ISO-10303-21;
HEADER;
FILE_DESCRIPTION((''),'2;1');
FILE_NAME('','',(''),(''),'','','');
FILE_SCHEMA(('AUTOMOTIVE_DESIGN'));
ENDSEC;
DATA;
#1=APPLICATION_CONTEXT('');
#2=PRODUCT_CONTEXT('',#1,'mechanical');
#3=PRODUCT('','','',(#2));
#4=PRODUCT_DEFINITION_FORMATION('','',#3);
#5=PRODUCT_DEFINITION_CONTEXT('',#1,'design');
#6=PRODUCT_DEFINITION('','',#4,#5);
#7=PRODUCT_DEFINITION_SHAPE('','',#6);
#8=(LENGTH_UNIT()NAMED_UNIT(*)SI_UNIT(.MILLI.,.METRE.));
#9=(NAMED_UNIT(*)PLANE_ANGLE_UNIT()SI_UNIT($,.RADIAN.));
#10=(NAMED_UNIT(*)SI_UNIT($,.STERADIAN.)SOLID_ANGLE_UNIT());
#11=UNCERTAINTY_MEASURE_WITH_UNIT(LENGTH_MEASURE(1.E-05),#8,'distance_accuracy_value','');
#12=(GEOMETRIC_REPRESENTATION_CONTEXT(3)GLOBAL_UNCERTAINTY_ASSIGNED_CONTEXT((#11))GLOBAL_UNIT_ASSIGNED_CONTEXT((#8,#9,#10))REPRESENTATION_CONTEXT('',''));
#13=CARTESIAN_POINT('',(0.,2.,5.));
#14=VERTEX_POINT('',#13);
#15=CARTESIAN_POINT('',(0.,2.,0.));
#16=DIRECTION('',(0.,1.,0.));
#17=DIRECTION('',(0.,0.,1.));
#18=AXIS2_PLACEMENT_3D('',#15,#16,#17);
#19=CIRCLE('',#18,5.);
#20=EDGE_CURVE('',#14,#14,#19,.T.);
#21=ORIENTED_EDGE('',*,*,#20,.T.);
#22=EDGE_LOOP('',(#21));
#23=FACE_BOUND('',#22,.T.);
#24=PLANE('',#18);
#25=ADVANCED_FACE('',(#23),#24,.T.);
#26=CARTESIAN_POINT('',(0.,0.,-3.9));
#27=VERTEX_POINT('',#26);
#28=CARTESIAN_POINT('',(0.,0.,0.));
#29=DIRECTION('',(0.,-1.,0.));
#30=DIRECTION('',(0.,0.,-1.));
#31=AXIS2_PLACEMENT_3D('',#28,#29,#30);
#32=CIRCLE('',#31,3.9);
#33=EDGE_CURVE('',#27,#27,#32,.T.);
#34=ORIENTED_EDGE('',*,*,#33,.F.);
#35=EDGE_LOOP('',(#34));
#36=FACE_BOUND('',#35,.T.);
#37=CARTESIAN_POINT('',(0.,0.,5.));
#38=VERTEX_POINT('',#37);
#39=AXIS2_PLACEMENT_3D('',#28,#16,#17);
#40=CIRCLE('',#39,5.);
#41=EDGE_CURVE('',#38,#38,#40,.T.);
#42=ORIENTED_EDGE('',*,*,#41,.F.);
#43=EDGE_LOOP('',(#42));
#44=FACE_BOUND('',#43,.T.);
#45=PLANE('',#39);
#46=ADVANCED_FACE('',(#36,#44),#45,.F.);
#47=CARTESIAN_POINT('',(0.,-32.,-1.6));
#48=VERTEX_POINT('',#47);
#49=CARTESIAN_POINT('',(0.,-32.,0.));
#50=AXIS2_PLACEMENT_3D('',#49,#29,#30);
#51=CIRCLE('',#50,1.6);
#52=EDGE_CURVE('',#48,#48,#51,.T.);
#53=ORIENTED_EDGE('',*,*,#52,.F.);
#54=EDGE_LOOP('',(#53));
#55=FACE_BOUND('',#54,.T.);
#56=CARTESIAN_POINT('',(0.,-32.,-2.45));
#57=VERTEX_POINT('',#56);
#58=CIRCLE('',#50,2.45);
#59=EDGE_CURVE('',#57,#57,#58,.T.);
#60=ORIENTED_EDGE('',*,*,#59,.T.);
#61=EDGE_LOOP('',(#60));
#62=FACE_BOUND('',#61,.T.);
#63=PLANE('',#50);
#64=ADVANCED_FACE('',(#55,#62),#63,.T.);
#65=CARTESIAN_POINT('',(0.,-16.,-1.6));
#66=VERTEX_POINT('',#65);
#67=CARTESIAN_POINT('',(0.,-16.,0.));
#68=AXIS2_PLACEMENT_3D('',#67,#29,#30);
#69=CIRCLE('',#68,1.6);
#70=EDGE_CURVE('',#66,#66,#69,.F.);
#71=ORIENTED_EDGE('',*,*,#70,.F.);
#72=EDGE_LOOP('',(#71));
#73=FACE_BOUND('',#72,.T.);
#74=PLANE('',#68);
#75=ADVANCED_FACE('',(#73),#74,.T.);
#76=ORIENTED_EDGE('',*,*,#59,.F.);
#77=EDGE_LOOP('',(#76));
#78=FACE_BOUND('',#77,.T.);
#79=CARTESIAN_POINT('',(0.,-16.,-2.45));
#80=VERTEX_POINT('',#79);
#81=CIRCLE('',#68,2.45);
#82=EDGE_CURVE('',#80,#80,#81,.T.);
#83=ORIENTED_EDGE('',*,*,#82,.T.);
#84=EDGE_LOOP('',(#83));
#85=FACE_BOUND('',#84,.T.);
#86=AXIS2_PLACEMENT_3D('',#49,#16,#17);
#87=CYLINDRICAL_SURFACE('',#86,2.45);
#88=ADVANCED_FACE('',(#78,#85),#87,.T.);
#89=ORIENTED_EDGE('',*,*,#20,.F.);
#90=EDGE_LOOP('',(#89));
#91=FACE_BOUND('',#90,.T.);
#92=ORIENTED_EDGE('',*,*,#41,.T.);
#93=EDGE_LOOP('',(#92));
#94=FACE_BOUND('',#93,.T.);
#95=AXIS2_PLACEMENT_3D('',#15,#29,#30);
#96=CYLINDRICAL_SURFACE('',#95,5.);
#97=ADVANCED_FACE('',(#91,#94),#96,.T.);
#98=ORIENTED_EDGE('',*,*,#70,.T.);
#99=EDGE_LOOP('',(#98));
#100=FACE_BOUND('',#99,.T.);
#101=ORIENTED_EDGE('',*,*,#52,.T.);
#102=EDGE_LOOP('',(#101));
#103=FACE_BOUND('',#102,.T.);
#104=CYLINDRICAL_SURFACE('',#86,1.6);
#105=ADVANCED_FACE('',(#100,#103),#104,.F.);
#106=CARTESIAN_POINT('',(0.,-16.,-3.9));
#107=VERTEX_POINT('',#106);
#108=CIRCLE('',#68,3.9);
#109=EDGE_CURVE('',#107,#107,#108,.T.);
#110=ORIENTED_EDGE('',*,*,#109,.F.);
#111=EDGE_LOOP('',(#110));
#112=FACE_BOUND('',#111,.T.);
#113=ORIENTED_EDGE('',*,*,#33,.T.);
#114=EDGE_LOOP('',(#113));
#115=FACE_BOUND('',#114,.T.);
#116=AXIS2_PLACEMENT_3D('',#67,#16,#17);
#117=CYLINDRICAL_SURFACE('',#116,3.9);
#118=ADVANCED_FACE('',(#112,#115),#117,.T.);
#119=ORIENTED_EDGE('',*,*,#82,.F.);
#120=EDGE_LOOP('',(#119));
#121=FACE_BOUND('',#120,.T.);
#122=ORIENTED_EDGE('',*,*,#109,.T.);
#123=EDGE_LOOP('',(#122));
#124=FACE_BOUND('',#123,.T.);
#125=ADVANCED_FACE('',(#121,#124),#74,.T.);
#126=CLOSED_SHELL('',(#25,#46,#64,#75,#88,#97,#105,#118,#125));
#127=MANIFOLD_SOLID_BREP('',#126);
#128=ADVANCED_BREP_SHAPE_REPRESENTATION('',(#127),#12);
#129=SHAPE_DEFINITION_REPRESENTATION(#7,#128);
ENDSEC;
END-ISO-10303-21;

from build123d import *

# Parameters (mm, degrees)
SKETCH1_R           = 5
BOSS_EXTRUDE1_DEPTH = 2
SKETCH4_R           = 3.9
BOSS_EXTRUDE2_DEPTH = 16
SKETCH6_R           = 2.45
SKETCH6_R_2         = 1.6
BOSS_EXTRUDE3_DEPTH = 16


with BuildPart() as part:
    # Sketch1 → Boss-Extrude1 (new body)
    with BuildSketch(Plane(origin=(0, 0, 0), x_dir=(1, 0, 0), z_dir=(0, 1, 0))):
        Circle(SKETCH1_R)
    extrude(amount=BOSS_EXTRUDE1_DEPTH)

    # Sketch4 → Boss-Extrude2 (add)
    with BuildSketch(Plane(origin=(0, 0, 0), x_dir=(-1, 0, 0), z_dir=(0, -1, 0))):
        Circle(SKETCH4_R)
    extrude(amount=BOSS_EXTRUDE2_DEPTH)

    # Sketch6 → Boss-Extrude3 (add)
    with BuildSketch(Plane(origin=(0, -16, 0), x_dir=(-1, 0, 0), z_dir=(0, -1, 0))):
        Circle(SKETCH6_R)
        Circle(SKETCH6_R_2, mode=Mode.SUBTRACT)
    extrude(amount=BOSS_EXTRUDE3_DEPTH)


solid = part.part
